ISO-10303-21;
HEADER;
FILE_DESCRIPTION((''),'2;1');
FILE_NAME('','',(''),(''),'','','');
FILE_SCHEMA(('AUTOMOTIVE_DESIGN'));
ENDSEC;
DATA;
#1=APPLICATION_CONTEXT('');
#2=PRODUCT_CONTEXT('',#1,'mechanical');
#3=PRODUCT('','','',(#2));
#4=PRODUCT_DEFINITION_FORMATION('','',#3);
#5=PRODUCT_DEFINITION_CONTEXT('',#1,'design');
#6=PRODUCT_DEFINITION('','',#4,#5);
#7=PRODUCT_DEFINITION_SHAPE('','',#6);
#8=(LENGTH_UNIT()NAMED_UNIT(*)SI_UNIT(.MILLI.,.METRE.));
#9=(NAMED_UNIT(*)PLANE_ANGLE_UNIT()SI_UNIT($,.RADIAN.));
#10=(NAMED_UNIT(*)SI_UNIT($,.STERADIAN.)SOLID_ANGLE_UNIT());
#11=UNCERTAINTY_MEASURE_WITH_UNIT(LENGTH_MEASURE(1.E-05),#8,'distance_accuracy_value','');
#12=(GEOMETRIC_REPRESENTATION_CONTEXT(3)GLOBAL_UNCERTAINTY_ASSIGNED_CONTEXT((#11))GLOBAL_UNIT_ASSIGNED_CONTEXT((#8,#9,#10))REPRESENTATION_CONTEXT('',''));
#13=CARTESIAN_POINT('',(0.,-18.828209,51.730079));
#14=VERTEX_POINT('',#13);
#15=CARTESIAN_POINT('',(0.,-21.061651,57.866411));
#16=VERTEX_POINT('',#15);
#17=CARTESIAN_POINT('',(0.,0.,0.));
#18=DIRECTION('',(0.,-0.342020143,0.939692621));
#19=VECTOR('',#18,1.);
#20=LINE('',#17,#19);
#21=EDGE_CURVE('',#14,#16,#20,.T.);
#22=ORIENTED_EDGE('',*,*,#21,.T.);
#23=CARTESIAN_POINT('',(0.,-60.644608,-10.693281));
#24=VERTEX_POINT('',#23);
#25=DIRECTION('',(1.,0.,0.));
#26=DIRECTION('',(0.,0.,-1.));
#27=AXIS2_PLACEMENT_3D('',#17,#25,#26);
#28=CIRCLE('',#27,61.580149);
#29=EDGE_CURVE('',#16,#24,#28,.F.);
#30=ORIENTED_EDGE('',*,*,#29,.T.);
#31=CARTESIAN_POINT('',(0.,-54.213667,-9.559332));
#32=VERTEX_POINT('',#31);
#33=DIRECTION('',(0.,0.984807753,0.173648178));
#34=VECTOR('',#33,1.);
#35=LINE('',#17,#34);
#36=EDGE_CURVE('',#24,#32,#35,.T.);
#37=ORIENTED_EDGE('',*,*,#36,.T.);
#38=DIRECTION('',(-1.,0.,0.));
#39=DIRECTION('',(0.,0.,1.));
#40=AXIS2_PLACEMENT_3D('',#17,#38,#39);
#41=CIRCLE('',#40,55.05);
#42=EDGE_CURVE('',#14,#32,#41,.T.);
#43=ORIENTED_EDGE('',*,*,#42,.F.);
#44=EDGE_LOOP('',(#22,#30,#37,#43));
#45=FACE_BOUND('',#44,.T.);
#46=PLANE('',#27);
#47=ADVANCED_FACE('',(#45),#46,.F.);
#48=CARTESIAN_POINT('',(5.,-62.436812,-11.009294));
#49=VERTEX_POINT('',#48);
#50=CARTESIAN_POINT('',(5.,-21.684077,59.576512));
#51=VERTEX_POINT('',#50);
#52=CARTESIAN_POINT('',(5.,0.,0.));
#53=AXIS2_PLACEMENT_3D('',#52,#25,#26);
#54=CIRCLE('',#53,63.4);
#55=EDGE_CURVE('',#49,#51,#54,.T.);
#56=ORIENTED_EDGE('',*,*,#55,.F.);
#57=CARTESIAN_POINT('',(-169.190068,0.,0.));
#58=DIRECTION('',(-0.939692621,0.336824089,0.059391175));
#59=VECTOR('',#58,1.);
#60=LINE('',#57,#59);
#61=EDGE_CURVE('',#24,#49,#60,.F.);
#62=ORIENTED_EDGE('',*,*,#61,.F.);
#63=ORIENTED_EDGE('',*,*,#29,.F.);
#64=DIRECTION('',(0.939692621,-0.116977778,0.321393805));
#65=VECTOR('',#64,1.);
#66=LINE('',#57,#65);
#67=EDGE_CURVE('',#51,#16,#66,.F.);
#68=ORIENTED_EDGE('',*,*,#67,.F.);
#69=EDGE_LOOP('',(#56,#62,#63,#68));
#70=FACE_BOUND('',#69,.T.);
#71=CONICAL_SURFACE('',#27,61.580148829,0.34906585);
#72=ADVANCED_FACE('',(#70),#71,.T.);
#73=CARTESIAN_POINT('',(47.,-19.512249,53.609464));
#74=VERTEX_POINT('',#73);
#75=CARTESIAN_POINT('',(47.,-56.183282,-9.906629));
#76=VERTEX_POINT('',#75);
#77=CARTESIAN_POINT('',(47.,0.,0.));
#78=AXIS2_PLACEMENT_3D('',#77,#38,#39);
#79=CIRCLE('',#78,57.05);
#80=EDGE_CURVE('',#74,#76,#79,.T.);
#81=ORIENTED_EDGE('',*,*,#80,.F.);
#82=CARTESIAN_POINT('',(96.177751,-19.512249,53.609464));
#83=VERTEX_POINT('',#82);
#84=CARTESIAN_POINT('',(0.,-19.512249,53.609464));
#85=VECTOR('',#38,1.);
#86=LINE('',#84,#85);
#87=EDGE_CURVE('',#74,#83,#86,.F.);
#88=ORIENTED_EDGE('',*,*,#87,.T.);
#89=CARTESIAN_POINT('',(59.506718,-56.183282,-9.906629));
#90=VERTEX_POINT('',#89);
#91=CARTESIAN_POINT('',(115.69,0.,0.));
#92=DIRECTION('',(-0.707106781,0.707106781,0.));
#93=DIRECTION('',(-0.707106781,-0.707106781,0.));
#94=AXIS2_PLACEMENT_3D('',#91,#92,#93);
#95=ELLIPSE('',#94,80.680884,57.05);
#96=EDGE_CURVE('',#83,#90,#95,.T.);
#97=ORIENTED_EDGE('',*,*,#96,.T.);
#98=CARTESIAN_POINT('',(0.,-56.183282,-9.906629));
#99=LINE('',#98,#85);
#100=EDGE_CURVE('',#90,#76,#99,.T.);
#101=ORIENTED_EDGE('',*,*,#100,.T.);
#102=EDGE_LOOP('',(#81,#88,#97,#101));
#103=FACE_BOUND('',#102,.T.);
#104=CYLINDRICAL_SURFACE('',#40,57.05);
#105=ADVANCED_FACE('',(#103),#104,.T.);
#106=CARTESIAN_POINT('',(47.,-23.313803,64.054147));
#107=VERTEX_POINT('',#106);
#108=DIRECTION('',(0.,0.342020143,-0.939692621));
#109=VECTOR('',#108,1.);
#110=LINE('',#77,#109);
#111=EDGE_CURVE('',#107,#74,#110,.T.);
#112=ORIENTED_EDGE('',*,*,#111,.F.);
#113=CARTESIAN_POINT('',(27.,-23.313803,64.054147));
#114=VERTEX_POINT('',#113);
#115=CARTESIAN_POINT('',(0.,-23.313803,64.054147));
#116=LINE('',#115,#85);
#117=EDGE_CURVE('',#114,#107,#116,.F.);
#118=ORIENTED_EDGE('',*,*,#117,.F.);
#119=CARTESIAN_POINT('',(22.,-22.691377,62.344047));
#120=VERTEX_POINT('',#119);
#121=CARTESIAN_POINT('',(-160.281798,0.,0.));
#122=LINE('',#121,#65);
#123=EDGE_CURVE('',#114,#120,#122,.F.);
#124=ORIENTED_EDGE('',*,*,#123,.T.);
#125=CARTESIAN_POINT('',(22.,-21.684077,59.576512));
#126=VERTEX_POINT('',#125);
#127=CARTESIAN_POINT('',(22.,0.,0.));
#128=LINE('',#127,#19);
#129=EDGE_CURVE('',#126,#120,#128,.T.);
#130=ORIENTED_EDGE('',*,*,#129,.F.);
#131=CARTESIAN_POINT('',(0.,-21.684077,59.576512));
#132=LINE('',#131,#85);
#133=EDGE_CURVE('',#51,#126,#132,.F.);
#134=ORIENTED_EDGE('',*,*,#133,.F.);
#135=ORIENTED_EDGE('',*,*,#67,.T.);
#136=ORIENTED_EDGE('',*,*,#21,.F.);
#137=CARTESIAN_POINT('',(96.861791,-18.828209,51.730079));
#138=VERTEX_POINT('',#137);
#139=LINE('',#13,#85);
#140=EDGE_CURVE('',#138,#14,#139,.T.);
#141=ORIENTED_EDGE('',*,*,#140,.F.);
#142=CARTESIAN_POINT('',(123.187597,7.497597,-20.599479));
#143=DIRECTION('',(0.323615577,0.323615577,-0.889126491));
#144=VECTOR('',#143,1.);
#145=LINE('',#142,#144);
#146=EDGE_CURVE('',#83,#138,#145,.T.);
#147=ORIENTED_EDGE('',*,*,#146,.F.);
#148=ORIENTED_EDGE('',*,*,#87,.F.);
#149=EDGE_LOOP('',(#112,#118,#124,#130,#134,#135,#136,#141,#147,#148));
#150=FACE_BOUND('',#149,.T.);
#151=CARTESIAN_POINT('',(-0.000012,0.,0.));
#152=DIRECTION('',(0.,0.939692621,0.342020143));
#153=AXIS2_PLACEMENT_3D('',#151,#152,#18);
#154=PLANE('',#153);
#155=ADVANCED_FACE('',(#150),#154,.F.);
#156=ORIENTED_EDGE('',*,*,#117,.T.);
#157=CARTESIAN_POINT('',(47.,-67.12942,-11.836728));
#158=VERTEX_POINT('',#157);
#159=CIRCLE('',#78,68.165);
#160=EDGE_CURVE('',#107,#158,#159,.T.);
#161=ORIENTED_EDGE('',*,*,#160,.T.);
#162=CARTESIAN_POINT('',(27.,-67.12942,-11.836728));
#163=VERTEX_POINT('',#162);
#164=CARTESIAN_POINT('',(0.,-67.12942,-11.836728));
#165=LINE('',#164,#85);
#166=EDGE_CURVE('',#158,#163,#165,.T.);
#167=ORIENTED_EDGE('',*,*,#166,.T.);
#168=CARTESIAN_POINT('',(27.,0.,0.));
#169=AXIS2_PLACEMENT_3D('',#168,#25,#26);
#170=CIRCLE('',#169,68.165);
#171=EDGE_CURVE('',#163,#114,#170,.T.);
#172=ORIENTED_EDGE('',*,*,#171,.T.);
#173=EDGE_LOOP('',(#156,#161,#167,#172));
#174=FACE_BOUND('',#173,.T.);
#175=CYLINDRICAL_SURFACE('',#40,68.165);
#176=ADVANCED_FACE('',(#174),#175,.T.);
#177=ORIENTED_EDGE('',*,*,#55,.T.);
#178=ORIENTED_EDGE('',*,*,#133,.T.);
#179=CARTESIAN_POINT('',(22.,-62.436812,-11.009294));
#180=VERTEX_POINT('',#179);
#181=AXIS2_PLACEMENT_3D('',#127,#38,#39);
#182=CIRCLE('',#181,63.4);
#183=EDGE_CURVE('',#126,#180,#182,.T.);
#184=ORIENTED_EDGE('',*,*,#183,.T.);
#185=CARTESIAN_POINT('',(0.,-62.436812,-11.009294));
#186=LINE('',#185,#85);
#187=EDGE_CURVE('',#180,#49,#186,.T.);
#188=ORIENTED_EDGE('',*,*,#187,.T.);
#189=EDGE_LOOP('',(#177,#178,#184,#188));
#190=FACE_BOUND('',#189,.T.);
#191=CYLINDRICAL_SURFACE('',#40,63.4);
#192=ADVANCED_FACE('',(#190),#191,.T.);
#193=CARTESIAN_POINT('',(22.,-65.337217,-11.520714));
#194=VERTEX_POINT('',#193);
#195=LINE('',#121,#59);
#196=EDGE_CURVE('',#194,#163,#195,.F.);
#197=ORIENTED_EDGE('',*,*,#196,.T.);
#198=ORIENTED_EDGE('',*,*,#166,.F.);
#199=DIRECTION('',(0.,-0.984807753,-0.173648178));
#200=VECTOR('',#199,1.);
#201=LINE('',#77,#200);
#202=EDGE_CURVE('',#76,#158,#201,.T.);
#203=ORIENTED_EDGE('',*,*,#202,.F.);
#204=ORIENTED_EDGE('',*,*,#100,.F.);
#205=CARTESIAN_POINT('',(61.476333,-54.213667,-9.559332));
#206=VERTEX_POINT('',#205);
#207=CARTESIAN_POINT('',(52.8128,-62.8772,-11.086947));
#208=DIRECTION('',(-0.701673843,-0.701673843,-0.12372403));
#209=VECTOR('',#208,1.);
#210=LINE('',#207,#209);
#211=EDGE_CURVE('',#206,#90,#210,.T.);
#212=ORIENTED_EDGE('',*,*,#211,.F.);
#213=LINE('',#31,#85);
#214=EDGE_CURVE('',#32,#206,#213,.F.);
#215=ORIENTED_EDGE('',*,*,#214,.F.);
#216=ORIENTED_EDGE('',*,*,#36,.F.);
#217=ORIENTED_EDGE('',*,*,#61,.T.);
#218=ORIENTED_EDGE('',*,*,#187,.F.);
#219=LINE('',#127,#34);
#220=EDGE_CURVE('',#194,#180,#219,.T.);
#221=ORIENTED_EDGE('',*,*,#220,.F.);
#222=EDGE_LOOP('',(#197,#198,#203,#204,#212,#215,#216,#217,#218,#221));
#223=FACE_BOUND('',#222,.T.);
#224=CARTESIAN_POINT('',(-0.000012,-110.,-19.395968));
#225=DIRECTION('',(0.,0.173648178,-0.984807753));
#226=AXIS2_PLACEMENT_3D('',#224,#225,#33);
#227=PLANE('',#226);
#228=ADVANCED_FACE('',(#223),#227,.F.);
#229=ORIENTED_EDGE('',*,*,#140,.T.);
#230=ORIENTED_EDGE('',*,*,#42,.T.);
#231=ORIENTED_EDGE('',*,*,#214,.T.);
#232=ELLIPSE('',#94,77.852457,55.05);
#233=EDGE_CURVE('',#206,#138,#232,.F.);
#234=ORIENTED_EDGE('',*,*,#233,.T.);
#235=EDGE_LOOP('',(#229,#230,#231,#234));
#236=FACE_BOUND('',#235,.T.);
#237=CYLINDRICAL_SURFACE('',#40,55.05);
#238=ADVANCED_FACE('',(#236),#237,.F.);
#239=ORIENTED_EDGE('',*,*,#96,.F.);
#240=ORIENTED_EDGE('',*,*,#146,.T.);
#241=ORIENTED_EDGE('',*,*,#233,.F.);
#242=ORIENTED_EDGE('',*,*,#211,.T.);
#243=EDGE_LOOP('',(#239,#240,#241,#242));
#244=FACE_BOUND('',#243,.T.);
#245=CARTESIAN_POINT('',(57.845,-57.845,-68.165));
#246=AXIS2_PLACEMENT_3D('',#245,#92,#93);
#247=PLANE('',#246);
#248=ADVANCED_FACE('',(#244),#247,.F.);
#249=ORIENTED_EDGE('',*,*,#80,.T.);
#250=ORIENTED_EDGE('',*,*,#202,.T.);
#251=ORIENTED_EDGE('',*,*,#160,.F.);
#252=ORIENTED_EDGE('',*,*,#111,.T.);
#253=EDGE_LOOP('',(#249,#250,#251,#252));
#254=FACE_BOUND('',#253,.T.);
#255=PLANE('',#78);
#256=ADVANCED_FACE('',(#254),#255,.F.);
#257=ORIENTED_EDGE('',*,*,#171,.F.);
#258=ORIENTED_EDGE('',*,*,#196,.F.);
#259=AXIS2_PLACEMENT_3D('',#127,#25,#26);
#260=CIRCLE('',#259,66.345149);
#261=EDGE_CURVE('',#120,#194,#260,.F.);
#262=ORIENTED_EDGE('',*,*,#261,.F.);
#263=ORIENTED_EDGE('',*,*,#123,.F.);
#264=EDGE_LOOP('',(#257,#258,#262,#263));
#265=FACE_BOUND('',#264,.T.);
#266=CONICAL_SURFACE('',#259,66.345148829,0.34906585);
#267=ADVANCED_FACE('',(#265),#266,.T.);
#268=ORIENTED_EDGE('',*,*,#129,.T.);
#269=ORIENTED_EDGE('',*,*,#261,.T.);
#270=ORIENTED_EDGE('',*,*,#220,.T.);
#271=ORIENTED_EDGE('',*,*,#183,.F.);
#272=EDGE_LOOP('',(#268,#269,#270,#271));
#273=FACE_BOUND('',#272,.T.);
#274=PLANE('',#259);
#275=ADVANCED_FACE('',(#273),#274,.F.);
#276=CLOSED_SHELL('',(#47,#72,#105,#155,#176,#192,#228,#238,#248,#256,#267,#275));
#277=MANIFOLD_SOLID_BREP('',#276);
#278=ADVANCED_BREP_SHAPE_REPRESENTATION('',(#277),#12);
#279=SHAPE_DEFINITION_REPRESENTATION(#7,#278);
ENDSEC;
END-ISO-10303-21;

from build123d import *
from OCP.BRepFilletAPI import BRepFilletAPI_MakeChamfer

# Parameters (mm, degrees)
CUT_EXTRUDE1_DEPTH      = 198.818204546
CUT_EXTRUDE1_DEPTH_BACK = 198.818204546
CHAMFER1_SIZE           = 5
CHAMFER1_SIZE2          = 1.819851171
CUT_EXTRUDE3_DEPTH      = 198.818204546
CUT_EXTRUDE3_DEPTH_BACK = 198.818204546


with BuildPart() as part:
    # Sketch1 → Revolve1 (revolve)
    with BuildSketch(Plane.XY):
        Polygon((0, 55.05), (172.74, 55.05), (172.74, 57.05), (47, 57.05), (47, 68.165), (22, 68.165), (22, 63.4), (0, 63.4), align=None)
    revolve(axis=Axis((0, 0, 0), (1, 0, 0)))

    # Sketch1<3> → Cut-Extrude1 (cut, two sides: drawn at the far end of the back side and taken through both)
    with BuildSketch(Plane.XY.offset(-CUT_EXTRUDE1_DEPTH_BACK)):
        Polygon((182.74, 67.05), (-17.26, -132.95), (182.74, -132.95), align=None)
    extrude(amount=CUT_EXTRUDE1_DEPTH + CUT_EXTRUDE1_DEPTH_BACK, mode=Mode.SUBTRACT)

    # Chamfer1: one chamfer whose edges measure the first distance from different faces: ONE call of the kernel's chamfer builder (chamfer() names one face for all edges)
    chamfer1_edges_1 = [part.edges().sort_by_distance(p)[0] for p in [
        (0, -63.4, 0),
    ]]
    chamfer1_side_1 = [part.faces().sort_by_distance(p)[0] for p in [
        (11, -63.4, 0),
    ]]
    chamfer1_edges_2 = [part.edges().sort_by_distance(p)[0] for p in [
        (22, -68.165, 0),
    ]]
    chamfer1_side_2 = [part.faces().sort_by_distance(p)[0] for p in [
        (34.5, -68.165, 0),
    ]]
    chamfer1 = BRepFilletAPI_MakeChamfer(part.part.solid().wrapped)
    for e in chamfer1_edges_1:
        chamfer1.Add(CHAMFER1_SIZE, CHAMFER1_SIZE2, e.wrapped, chamfer1_side_1[0].wrapped)  # the first distance lies on this face
    for e in chamfer1_edges_2:
        chamfer1.Add(CHAMFER1_SIZE, CHAMFER1_SIZE2, e.wrapped, chamfer1_side_2[0].wrapped)  # the first distance lies on this face
    add(Compound.cast(chamfer1.Shape()), mode=Mode.REPLACE)

    # Sketch2 → Cut-Extrude3 (cut, two sides: drawn at the far end of the back side and taken through both)
    with BuildSketch(Plane(origin=(0, 0, 0), x_dir=(0, 0, -1), z_dir=(1, 0, 0)).offset(-CUT_EXTRUDE3_DEPTH_BACK)):
        Polygon((0, 0), (-302.22251614, -110), (19.395967878, -110), align=None)
    extrude(amount=CUT_EXTRUDE3_DEPTH + CUT_EXTRUDE3_DEPTH_BACK, mode=Mode.SUBTRACT)


solid = part.part
